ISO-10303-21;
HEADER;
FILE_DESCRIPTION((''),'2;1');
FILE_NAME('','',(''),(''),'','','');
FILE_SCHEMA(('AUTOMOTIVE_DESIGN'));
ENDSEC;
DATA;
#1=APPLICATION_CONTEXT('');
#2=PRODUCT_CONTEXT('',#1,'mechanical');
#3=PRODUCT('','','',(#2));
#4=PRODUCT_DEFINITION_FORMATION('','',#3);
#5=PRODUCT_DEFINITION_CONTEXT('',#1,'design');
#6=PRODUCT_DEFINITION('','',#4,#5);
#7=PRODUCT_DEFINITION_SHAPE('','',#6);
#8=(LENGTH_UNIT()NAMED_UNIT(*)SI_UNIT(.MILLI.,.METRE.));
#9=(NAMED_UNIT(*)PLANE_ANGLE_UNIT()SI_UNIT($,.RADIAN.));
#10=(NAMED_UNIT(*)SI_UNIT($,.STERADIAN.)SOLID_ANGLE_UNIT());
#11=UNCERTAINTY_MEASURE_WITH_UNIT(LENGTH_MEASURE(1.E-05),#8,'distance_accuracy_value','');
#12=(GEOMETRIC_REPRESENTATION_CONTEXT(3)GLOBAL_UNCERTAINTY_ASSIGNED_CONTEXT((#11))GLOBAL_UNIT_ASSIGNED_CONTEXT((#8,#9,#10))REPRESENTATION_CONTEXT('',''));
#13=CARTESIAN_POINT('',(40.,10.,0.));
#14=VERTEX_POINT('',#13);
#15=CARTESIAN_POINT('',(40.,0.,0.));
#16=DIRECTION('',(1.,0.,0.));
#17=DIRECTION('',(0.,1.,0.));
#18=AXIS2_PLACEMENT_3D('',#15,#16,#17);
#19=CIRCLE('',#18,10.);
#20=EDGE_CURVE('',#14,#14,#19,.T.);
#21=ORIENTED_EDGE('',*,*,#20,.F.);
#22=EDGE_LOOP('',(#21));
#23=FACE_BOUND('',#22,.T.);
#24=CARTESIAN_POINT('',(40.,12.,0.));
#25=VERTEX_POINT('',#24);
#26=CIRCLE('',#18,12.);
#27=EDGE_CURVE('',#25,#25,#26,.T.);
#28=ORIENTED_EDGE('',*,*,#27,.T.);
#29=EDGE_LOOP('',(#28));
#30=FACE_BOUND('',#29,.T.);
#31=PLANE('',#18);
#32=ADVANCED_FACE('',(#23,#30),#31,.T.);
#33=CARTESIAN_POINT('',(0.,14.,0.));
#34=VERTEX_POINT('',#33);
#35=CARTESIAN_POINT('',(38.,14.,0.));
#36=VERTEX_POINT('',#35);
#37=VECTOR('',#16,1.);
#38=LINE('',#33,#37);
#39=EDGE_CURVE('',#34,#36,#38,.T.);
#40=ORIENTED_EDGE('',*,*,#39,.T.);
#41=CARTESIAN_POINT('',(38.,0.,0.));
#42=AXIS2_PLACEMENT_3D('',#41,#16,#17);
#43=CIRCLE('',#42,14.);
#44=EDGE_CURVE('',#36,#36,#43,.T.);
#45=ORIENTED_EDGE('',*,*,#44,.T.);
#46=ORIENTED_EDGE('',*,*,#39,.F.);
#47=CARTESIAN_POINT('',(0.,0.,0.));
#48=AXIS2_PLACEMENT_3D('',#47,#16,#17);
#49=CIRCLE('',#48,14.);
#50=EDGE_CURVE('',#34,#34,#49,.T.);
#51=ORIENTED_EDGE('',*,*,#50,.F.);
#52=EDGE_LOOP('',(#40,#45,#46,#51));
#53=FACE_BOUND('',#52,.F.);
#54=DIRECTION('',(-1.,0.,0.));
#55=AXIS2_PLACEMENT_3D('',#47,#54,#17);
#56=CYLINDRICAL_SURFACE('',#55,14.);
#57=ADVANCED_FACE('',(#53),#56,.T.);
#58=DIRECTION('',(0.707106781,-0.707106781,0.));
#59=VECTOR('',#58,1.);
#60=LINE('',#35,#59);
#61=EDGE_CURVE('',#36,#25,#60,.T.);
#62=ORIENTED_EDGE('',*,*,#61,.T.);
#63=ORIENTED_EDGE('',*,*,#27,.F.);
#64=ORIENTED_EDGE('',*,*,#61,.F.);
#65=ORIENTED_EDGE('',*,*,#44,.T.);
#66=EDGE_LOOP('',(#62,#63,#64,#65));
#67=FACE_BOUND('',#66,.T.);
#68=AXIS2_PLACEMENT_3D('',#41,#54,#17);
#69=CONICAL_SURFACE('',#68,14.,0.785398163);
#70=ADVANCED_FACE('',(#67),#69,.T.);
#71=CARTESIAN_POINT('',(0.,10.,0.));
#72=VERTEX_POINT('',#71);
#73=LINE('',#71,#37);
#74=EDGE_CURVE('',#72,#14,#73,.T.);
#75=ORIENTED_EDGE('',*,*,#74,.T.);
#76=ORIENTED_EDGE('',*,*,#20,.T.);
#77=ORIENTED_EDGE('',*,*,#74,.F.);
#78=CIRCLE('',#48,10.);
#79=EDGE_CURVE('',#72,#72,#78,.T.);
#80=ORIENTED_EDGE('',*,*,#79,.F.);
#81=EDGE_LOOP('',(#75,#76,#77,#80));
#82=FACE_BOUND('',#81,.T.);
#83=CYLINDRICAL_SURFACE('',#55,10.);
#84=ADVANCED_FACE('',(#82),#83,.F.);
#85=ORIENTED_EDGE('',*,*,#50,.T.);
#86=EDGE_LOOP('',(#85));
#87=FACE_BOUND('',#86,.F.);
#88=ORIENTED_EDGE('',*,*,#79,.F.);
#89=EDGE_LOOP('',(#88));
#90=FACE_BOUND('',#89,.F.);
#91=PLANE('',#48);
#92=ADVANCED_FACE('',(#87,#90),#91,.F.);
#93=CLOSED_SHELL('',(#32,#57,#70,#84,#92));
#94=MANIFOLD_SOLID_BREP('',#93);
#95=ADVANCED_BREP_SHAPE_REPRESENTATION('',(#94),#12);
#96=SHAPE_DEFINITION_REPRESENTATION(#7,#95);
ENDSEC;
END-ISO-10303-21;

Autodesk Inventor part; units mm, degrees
ref_plane "YZ Plane" through (0, 0, 0) normal (1, 0, 0) x (0, 1, 0)
ref_plane "XZ Plane" through (0, 0, 0) normal (0, 1, 0) x (-1, 0, 0)
ref_plane "XY Plane" through (0, 0, 0) normal (0, 0, 1) x (1, 0, 0)
sketch "Skizze1" plane through (0, 0, 0) normal (1, 0, 0) x (0, 1, 0)
  circle A0 centre (0, 0) radius 14
  circle A1 centre (0, 0) radius 10
  dimension "d0" = 28
  dimension "d1" = 20
extrude "Extrusion1" add sketch "Skizze1" along normal blind 40
chamfer "Fasen1" distance 2 angle 45 1 edges at (40, -14, 0)
properties part number "Lager_Schaufelrad" material "Nylon 6/6"
